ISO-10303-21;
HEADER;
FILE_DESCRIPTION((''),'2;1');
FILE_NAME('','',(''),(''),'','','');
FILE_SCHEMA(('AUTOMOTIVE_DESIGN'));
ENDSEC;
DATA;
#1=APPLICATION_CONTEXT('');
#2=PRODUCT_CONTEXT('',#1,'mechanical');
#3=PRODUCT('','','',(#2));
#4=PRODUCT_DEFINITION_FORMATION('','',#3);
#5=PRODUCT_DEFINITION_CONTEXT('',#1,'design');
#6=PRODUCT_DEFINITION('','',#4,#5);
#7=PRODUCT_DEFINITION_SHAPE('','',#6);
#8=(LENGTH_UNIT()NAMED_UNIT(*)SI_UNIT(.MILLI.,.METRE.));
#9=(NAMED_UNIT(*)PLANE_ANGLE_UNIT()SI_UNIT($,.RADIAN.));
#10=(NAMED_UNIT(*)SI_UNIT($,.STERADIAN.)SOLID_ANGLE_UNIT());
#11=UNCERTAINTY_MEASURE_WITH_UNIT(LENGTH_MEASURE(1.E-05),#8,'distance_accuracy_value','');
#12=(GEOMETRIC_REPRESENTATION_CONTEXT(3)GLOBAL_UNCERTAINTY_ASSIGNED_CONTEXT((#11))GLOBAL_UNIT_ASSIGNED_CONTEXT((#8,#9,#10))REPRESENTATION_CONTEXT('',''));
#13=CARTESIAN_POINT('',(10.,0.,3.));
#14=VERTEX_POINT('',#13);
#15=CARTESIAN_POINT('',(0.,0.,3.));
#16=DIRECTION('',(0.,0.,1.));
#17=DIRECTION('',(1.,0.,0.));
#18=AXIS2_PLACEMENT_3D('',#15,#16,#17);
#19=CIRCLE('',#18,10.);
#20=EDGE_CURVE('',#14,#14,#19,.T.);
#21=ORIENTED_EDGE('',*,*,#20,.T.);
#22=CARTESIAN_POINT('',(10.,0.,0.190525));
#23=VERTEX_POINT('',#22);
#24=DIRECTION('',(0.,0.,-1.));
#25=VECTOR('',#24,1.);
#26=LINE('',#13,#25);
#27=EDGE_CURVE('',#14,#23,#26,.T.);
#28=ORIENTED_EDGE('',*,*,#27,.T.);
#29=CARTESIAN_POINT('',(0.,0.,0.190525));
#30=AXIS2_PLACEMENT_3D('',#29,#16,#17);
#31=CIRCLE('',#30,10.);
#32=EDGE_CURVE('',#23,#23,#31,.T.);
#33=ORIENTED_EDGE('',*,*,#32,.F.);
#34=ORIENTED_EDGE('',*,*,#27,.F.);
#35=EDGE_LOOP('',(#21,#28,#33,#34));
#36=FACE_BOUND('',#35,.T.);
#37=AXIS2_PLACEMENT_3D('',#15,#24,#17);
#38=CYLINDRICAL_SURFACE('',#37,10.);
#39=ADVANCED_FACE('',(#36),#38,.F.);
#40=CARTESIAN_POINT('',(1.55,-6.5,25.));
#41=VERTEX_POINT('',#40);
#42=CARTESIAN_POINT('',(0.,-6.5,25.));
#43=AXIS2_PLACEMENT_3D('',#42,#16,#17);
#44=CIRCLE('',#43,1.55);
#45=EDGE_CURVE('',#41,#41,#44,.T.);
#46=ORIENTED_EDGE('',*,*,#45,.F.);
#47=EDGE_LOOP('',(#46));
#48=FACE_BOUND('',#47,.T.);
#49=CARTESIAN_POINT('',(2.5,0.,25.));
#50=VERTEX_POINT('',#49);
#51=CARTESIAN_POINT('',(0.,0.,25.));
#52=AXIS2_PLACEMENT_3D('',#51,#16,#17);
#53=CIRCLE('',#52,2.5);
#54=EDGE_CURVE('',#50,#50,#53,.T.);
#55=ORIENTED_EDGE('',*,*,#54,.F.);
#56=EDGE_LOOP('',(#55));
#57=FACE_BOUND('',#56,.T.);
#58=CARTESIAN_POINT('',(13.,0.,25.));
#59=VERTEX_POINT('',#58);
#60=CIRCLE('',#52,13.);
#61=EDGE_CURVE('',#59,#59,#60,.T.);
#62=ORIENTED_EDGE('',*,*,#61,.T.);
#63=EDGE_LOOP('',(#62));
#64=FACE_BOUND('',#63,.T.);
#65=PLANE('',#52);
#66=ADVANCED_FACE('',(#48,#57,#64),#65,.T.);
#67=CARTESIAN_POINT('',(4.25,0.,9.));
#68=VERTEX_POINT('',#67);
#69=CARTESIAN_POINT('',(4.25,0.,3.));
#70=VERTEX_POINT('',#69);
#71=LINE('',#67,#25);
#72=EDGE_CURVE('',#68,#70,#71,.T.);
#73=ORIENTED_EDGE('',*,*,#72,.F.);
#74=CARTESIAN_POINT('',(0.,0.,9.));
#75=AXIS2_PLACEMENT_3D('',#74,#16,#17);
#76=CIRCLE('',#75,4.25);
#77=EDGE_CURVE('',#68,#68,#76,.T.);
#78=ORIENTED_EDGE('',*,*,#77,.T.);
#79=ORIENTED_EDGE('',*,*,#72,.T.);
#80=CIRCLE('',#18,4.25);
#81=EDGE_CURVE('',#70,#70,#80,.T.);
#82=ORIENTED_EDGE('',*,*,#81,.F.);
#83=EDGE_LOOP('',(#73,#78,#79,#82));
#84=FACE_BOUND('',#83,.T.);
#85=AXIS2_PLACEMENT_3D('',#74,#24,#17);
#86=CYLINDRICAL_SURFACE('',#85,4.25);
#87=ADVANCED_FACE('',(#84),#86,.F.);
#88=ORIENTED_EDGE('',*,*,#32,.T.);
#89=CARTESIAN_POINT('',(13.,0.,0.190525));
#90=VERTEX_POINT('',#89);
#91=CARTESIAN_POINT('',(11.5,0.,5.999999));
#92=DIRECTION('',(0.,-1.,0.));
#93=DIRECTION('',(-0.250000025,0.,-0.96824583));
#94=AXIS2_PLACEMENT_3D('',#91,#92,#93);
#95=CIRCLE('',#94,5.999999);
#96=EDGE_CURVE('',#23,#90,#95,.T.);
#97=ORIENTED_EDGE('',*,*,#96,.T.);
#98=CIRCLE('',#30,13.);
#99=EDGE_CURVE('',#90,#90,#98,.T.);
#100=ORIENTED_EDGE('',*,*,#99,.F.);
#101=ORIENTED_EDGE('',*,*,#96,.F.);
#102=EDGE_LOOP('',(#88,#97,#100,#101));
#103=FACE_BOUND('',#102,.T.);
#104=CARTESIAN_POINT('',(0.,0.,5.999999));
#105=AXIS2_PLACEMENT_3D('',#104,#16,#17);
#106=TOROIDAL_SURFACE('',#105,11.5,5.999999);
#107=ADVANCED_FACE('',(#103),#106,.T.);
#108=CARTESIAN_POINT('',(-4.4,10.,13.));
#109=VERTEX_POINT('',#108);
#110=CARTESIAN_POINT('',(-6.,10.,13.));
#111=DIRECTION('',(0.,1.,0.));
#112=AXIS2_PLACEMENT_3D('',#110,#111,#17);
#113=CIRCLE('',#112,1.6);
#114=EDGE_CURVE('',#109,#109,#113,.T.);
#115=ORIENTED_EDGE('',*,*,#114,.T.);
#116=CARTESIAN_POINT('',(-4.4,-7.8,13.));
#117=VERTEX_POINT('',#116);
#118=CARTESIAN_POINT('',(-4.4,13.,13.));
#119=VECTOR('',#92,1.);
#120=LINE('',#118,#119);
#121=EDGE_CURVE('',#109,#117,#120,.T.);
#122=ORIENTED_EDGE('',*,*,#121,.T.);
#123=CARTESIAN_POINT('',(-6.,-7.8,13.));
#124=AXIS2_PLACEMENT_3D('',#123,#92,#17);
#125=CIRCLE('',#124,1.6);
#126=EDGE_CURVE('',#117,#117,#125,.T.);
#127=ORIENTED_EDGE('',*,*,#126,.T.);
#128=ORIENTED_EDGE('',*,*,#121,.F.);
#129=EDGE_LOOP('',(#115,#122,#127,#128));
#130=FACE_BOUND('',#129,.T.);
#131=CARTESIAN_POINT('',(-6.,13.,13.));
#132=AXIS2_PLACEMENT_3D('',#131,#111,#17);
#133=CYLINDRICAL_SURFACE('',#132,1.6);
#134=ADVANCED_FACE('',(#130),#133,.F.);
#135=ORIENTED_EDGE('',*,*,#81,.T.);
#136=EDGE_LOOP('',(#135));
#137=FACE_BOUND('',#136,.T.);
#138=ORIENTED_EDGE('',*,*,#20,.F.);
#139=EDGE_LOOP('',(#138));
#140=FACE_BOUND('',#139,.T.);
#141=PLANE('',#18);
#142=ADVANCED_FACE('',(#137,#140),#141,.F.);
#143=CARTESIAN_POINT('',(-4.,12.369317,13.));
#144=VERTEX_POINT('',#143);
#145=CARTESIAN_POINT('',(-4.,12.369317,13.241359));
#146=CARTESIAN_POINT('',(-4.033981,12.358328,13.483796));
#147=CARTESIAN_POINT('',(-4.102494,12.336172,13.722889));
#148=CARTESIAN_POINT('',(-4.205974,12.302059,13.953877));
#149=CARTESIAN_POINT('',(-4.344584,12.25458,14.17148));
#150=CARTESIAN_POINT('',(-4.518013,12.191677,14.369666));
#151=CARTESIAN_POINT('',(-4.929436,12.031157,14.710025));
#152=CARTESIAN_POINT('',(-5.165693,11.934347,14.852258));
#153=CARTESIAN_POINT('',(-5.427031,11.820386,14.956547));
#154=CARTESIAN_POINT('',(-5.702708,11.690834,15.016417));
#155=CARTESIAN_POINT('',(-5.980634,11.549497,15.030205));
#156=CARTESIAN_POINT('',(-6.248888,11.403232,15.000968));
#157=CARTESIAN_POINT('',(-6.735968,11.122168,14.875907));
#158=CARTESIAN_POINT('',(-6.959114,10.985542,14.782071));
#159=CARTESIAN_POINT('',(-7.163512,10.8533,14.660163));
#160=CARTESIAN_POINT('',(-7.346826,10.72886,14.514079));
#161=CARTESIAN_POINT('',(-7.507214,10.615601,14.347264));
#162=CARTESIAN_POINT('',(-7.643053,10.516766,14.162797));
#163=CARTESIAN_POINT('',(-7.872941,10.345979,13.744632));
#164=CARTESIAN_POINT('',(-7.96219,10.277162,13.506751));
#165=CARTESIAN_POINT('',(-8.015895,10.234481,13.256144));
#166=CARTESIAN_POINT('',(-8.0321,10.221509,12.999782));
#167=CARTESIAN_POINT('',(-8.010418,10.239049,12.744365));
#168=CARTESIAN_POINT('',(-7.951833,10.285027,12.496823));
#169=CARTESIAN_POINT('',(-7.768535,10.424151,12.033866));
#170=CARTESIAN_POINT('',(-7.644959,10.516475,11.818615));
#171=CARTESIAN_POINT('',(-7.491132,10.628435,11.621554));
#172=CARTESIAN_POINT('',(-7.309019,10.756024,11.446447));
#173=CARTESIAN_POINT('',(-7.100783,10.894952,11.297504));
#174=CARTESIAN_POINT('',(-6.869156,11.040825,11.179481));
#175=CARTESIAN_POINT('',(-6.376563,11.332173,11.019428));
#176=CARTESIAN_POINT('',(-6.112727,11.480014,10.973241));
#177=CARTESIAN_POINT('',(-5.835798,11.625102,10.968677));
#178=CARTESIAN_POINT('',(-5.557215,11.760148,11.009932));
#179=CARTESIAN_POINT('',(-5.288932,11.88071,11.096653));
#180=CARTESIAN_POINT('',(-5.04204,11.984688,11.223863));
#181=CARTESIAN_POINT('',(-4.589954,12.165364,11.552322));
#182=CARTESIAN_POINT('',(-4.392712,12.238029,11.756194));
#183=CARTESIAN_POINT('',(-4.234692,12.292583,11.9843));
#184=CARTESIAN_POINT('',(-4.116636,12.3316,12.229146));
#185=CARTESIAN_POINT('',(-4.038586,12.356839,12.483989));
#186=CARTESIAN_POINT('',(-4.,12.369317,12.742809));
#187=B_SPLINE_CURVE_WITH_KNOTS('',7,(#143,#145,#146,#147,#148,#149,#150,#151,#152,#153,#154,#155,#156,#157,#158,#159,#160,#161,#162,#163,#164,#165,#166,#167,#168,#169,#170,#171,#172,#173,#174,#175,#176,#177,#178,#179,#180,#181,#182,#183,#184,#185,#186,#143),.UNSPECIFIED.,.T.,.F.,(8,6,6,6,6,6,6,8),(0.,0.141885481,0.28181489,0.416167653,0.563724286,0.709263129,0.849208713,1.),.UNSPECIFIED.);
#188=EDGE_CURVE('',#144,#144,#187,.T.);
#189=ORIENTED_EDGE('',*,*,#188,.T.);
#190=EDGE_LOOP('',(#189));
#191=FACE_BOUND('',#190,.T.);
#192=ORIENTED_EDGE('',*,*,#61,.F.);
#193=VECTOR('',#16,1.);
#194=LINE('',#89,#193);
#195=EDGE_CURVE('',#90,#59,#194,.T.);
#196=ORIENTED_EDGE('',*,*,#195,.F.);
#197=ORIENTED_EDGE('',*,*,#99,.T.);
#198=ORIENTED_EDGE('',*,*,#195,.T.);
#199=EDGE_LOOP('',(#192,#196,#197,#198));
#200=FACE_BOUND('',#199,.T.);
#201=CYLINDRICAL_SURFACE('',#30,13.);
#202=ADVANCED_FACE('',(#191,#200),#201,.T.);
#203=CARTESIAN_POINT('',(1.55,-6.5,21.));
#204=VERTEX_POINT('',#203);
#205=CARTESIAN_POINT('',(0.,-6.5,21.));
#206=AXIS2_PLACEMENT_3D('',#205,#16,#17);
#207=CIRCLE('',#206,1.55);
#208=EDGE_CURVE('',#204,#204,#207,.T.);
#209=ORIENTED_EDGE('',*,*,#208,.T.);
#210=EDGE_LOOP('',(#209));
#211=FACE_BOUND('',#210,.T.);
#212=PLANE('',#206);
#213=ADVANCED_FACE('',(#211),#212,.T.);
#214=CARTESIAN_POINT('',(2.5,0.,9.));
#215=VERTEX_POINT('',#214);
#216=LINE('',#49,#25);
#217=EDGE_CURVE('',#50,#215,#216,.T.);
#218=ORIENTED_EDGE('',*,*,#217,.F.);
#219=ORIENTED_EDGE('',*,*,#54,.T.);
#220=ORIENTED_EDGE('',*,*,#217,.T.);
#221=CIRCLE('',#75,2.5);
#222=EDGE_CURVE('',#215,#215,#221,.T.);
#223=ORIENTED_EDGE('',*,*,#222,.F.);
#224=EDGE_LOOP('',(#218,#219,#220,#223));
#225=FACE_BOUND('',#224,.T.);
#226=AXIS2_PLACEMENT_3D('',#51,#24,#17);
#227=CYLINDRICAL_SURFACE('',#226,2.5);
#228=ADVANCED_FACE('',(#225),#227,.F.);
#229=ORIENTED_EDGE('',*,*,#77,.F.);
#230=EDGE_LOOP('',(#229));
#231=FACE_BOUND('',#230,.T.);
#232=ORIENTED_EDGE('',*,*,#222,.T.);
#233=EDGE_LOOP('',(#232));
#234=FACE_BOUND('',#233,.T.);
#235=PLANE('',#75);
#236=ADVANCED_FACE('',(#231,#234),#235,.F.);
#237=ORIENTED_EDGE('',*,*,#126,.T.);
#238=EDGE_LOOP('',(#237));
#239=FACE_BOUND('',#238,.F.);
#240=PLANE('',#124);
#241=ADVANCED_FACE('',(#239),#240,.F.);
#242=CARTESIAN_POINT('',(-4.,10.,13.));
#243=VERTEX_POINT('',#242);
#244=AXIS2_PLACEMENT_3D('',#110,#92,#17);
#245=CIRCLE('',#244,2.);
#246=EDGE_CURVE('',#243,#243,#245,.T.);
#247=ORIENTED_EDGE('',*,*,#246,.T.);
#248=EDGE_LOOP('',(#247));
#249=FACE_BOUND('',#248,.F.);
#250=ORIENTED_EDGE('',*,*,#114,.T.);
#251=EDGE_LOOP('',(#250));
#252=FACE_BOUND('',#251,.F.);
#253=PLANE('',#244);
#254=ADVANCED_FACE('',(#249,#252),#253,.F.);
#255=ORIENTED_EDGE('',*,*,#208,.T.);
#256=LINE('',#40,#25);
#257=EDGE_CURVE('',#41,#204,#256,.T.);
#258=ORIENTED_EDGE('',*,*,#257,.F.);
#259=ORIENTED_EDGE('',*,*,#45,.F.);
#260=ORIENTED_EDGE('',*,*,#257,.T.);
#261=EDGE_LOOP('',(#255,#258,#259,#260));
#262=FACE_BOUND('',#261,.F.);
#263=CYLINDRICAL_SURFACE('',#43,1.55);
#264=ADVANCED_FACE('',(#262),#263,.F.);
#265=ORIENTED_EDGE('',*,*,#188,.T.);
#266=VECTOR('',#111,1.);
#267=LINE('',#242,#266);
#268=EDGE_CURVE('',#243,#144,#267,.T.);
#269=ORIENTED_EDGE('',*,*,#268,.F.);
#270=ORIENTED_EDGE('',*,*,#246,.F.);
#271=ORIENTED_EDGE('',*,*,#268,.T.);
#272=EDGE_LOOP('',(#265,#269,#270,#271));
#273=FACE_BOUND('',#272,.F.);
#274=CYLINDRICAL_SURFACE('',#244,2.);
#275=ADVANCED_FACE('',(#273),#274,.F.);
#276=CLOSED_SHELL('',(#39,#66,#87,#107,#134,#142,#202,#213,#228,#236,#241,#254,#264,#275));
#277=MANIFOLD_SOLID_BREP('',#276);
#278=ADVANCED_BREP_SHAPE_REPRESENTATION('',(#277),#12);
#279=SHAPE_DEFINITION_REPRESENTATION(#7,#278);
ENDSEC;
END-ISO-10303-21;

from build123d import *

# Parameters (mm, degrees)
F4_R      = 1.55
F5_DEPTH  = 4
F7_R      = 1.6
F8_DEPTH  = 20.8
F10_R     = 2
F11_DEPTH = 3


with BuildPart() as f1:
    # F0 (on Front) → F1 (revolve)
    with BuildSketch(Plane.XZ):
        with BuildLine():
            Line((10, 3), (10, 0.190525))
            ThreePointArc((10, 0.190525), (11.5, 0), (13, 0.190525))
            Line((13, 0.190525), (13, 25))
            Line((13, 25), (2.5, 25))
            Line((2.5, 25), (2.5, 9))
            Line((2.5, 9), (4.25, 9))
            Line((4.25, 9), (4.25, 3))
            Line((4.25, 3), (10, 3))
        make_face()
    revolve(axis=Axis((0, 0, 12.5), (0, 0, 1)))

    # F4 (on offset) → F5 (cut)
    with BuildSketch(Plane.XY.offset(25)):
        with Locations((0, -6.5)):
            Circle(F4_R)
    extrude(amount=-F5_DEPTH, mode=Mode.SUBTRACT)

    # F7 (on offset) → F8 (cut)
    with BuildSketch(Plane.XZ.offset(-13)):
        with Locations((-6, 13)):
            Circle(F7_R)
    extrude(amount=F8_DEPTH, mode=Mode.SUBTRACT)

    # F10 (on offset) → F11 (cut)
    with BuildSketch(Plane.XZ.offset(-10)):
        with Locations((-6, 13)):
            Circle(F10_R)
    extrude(amount=-F11_DEPTH, mode=Mode.SUBTRACT)


solid = f1.part
